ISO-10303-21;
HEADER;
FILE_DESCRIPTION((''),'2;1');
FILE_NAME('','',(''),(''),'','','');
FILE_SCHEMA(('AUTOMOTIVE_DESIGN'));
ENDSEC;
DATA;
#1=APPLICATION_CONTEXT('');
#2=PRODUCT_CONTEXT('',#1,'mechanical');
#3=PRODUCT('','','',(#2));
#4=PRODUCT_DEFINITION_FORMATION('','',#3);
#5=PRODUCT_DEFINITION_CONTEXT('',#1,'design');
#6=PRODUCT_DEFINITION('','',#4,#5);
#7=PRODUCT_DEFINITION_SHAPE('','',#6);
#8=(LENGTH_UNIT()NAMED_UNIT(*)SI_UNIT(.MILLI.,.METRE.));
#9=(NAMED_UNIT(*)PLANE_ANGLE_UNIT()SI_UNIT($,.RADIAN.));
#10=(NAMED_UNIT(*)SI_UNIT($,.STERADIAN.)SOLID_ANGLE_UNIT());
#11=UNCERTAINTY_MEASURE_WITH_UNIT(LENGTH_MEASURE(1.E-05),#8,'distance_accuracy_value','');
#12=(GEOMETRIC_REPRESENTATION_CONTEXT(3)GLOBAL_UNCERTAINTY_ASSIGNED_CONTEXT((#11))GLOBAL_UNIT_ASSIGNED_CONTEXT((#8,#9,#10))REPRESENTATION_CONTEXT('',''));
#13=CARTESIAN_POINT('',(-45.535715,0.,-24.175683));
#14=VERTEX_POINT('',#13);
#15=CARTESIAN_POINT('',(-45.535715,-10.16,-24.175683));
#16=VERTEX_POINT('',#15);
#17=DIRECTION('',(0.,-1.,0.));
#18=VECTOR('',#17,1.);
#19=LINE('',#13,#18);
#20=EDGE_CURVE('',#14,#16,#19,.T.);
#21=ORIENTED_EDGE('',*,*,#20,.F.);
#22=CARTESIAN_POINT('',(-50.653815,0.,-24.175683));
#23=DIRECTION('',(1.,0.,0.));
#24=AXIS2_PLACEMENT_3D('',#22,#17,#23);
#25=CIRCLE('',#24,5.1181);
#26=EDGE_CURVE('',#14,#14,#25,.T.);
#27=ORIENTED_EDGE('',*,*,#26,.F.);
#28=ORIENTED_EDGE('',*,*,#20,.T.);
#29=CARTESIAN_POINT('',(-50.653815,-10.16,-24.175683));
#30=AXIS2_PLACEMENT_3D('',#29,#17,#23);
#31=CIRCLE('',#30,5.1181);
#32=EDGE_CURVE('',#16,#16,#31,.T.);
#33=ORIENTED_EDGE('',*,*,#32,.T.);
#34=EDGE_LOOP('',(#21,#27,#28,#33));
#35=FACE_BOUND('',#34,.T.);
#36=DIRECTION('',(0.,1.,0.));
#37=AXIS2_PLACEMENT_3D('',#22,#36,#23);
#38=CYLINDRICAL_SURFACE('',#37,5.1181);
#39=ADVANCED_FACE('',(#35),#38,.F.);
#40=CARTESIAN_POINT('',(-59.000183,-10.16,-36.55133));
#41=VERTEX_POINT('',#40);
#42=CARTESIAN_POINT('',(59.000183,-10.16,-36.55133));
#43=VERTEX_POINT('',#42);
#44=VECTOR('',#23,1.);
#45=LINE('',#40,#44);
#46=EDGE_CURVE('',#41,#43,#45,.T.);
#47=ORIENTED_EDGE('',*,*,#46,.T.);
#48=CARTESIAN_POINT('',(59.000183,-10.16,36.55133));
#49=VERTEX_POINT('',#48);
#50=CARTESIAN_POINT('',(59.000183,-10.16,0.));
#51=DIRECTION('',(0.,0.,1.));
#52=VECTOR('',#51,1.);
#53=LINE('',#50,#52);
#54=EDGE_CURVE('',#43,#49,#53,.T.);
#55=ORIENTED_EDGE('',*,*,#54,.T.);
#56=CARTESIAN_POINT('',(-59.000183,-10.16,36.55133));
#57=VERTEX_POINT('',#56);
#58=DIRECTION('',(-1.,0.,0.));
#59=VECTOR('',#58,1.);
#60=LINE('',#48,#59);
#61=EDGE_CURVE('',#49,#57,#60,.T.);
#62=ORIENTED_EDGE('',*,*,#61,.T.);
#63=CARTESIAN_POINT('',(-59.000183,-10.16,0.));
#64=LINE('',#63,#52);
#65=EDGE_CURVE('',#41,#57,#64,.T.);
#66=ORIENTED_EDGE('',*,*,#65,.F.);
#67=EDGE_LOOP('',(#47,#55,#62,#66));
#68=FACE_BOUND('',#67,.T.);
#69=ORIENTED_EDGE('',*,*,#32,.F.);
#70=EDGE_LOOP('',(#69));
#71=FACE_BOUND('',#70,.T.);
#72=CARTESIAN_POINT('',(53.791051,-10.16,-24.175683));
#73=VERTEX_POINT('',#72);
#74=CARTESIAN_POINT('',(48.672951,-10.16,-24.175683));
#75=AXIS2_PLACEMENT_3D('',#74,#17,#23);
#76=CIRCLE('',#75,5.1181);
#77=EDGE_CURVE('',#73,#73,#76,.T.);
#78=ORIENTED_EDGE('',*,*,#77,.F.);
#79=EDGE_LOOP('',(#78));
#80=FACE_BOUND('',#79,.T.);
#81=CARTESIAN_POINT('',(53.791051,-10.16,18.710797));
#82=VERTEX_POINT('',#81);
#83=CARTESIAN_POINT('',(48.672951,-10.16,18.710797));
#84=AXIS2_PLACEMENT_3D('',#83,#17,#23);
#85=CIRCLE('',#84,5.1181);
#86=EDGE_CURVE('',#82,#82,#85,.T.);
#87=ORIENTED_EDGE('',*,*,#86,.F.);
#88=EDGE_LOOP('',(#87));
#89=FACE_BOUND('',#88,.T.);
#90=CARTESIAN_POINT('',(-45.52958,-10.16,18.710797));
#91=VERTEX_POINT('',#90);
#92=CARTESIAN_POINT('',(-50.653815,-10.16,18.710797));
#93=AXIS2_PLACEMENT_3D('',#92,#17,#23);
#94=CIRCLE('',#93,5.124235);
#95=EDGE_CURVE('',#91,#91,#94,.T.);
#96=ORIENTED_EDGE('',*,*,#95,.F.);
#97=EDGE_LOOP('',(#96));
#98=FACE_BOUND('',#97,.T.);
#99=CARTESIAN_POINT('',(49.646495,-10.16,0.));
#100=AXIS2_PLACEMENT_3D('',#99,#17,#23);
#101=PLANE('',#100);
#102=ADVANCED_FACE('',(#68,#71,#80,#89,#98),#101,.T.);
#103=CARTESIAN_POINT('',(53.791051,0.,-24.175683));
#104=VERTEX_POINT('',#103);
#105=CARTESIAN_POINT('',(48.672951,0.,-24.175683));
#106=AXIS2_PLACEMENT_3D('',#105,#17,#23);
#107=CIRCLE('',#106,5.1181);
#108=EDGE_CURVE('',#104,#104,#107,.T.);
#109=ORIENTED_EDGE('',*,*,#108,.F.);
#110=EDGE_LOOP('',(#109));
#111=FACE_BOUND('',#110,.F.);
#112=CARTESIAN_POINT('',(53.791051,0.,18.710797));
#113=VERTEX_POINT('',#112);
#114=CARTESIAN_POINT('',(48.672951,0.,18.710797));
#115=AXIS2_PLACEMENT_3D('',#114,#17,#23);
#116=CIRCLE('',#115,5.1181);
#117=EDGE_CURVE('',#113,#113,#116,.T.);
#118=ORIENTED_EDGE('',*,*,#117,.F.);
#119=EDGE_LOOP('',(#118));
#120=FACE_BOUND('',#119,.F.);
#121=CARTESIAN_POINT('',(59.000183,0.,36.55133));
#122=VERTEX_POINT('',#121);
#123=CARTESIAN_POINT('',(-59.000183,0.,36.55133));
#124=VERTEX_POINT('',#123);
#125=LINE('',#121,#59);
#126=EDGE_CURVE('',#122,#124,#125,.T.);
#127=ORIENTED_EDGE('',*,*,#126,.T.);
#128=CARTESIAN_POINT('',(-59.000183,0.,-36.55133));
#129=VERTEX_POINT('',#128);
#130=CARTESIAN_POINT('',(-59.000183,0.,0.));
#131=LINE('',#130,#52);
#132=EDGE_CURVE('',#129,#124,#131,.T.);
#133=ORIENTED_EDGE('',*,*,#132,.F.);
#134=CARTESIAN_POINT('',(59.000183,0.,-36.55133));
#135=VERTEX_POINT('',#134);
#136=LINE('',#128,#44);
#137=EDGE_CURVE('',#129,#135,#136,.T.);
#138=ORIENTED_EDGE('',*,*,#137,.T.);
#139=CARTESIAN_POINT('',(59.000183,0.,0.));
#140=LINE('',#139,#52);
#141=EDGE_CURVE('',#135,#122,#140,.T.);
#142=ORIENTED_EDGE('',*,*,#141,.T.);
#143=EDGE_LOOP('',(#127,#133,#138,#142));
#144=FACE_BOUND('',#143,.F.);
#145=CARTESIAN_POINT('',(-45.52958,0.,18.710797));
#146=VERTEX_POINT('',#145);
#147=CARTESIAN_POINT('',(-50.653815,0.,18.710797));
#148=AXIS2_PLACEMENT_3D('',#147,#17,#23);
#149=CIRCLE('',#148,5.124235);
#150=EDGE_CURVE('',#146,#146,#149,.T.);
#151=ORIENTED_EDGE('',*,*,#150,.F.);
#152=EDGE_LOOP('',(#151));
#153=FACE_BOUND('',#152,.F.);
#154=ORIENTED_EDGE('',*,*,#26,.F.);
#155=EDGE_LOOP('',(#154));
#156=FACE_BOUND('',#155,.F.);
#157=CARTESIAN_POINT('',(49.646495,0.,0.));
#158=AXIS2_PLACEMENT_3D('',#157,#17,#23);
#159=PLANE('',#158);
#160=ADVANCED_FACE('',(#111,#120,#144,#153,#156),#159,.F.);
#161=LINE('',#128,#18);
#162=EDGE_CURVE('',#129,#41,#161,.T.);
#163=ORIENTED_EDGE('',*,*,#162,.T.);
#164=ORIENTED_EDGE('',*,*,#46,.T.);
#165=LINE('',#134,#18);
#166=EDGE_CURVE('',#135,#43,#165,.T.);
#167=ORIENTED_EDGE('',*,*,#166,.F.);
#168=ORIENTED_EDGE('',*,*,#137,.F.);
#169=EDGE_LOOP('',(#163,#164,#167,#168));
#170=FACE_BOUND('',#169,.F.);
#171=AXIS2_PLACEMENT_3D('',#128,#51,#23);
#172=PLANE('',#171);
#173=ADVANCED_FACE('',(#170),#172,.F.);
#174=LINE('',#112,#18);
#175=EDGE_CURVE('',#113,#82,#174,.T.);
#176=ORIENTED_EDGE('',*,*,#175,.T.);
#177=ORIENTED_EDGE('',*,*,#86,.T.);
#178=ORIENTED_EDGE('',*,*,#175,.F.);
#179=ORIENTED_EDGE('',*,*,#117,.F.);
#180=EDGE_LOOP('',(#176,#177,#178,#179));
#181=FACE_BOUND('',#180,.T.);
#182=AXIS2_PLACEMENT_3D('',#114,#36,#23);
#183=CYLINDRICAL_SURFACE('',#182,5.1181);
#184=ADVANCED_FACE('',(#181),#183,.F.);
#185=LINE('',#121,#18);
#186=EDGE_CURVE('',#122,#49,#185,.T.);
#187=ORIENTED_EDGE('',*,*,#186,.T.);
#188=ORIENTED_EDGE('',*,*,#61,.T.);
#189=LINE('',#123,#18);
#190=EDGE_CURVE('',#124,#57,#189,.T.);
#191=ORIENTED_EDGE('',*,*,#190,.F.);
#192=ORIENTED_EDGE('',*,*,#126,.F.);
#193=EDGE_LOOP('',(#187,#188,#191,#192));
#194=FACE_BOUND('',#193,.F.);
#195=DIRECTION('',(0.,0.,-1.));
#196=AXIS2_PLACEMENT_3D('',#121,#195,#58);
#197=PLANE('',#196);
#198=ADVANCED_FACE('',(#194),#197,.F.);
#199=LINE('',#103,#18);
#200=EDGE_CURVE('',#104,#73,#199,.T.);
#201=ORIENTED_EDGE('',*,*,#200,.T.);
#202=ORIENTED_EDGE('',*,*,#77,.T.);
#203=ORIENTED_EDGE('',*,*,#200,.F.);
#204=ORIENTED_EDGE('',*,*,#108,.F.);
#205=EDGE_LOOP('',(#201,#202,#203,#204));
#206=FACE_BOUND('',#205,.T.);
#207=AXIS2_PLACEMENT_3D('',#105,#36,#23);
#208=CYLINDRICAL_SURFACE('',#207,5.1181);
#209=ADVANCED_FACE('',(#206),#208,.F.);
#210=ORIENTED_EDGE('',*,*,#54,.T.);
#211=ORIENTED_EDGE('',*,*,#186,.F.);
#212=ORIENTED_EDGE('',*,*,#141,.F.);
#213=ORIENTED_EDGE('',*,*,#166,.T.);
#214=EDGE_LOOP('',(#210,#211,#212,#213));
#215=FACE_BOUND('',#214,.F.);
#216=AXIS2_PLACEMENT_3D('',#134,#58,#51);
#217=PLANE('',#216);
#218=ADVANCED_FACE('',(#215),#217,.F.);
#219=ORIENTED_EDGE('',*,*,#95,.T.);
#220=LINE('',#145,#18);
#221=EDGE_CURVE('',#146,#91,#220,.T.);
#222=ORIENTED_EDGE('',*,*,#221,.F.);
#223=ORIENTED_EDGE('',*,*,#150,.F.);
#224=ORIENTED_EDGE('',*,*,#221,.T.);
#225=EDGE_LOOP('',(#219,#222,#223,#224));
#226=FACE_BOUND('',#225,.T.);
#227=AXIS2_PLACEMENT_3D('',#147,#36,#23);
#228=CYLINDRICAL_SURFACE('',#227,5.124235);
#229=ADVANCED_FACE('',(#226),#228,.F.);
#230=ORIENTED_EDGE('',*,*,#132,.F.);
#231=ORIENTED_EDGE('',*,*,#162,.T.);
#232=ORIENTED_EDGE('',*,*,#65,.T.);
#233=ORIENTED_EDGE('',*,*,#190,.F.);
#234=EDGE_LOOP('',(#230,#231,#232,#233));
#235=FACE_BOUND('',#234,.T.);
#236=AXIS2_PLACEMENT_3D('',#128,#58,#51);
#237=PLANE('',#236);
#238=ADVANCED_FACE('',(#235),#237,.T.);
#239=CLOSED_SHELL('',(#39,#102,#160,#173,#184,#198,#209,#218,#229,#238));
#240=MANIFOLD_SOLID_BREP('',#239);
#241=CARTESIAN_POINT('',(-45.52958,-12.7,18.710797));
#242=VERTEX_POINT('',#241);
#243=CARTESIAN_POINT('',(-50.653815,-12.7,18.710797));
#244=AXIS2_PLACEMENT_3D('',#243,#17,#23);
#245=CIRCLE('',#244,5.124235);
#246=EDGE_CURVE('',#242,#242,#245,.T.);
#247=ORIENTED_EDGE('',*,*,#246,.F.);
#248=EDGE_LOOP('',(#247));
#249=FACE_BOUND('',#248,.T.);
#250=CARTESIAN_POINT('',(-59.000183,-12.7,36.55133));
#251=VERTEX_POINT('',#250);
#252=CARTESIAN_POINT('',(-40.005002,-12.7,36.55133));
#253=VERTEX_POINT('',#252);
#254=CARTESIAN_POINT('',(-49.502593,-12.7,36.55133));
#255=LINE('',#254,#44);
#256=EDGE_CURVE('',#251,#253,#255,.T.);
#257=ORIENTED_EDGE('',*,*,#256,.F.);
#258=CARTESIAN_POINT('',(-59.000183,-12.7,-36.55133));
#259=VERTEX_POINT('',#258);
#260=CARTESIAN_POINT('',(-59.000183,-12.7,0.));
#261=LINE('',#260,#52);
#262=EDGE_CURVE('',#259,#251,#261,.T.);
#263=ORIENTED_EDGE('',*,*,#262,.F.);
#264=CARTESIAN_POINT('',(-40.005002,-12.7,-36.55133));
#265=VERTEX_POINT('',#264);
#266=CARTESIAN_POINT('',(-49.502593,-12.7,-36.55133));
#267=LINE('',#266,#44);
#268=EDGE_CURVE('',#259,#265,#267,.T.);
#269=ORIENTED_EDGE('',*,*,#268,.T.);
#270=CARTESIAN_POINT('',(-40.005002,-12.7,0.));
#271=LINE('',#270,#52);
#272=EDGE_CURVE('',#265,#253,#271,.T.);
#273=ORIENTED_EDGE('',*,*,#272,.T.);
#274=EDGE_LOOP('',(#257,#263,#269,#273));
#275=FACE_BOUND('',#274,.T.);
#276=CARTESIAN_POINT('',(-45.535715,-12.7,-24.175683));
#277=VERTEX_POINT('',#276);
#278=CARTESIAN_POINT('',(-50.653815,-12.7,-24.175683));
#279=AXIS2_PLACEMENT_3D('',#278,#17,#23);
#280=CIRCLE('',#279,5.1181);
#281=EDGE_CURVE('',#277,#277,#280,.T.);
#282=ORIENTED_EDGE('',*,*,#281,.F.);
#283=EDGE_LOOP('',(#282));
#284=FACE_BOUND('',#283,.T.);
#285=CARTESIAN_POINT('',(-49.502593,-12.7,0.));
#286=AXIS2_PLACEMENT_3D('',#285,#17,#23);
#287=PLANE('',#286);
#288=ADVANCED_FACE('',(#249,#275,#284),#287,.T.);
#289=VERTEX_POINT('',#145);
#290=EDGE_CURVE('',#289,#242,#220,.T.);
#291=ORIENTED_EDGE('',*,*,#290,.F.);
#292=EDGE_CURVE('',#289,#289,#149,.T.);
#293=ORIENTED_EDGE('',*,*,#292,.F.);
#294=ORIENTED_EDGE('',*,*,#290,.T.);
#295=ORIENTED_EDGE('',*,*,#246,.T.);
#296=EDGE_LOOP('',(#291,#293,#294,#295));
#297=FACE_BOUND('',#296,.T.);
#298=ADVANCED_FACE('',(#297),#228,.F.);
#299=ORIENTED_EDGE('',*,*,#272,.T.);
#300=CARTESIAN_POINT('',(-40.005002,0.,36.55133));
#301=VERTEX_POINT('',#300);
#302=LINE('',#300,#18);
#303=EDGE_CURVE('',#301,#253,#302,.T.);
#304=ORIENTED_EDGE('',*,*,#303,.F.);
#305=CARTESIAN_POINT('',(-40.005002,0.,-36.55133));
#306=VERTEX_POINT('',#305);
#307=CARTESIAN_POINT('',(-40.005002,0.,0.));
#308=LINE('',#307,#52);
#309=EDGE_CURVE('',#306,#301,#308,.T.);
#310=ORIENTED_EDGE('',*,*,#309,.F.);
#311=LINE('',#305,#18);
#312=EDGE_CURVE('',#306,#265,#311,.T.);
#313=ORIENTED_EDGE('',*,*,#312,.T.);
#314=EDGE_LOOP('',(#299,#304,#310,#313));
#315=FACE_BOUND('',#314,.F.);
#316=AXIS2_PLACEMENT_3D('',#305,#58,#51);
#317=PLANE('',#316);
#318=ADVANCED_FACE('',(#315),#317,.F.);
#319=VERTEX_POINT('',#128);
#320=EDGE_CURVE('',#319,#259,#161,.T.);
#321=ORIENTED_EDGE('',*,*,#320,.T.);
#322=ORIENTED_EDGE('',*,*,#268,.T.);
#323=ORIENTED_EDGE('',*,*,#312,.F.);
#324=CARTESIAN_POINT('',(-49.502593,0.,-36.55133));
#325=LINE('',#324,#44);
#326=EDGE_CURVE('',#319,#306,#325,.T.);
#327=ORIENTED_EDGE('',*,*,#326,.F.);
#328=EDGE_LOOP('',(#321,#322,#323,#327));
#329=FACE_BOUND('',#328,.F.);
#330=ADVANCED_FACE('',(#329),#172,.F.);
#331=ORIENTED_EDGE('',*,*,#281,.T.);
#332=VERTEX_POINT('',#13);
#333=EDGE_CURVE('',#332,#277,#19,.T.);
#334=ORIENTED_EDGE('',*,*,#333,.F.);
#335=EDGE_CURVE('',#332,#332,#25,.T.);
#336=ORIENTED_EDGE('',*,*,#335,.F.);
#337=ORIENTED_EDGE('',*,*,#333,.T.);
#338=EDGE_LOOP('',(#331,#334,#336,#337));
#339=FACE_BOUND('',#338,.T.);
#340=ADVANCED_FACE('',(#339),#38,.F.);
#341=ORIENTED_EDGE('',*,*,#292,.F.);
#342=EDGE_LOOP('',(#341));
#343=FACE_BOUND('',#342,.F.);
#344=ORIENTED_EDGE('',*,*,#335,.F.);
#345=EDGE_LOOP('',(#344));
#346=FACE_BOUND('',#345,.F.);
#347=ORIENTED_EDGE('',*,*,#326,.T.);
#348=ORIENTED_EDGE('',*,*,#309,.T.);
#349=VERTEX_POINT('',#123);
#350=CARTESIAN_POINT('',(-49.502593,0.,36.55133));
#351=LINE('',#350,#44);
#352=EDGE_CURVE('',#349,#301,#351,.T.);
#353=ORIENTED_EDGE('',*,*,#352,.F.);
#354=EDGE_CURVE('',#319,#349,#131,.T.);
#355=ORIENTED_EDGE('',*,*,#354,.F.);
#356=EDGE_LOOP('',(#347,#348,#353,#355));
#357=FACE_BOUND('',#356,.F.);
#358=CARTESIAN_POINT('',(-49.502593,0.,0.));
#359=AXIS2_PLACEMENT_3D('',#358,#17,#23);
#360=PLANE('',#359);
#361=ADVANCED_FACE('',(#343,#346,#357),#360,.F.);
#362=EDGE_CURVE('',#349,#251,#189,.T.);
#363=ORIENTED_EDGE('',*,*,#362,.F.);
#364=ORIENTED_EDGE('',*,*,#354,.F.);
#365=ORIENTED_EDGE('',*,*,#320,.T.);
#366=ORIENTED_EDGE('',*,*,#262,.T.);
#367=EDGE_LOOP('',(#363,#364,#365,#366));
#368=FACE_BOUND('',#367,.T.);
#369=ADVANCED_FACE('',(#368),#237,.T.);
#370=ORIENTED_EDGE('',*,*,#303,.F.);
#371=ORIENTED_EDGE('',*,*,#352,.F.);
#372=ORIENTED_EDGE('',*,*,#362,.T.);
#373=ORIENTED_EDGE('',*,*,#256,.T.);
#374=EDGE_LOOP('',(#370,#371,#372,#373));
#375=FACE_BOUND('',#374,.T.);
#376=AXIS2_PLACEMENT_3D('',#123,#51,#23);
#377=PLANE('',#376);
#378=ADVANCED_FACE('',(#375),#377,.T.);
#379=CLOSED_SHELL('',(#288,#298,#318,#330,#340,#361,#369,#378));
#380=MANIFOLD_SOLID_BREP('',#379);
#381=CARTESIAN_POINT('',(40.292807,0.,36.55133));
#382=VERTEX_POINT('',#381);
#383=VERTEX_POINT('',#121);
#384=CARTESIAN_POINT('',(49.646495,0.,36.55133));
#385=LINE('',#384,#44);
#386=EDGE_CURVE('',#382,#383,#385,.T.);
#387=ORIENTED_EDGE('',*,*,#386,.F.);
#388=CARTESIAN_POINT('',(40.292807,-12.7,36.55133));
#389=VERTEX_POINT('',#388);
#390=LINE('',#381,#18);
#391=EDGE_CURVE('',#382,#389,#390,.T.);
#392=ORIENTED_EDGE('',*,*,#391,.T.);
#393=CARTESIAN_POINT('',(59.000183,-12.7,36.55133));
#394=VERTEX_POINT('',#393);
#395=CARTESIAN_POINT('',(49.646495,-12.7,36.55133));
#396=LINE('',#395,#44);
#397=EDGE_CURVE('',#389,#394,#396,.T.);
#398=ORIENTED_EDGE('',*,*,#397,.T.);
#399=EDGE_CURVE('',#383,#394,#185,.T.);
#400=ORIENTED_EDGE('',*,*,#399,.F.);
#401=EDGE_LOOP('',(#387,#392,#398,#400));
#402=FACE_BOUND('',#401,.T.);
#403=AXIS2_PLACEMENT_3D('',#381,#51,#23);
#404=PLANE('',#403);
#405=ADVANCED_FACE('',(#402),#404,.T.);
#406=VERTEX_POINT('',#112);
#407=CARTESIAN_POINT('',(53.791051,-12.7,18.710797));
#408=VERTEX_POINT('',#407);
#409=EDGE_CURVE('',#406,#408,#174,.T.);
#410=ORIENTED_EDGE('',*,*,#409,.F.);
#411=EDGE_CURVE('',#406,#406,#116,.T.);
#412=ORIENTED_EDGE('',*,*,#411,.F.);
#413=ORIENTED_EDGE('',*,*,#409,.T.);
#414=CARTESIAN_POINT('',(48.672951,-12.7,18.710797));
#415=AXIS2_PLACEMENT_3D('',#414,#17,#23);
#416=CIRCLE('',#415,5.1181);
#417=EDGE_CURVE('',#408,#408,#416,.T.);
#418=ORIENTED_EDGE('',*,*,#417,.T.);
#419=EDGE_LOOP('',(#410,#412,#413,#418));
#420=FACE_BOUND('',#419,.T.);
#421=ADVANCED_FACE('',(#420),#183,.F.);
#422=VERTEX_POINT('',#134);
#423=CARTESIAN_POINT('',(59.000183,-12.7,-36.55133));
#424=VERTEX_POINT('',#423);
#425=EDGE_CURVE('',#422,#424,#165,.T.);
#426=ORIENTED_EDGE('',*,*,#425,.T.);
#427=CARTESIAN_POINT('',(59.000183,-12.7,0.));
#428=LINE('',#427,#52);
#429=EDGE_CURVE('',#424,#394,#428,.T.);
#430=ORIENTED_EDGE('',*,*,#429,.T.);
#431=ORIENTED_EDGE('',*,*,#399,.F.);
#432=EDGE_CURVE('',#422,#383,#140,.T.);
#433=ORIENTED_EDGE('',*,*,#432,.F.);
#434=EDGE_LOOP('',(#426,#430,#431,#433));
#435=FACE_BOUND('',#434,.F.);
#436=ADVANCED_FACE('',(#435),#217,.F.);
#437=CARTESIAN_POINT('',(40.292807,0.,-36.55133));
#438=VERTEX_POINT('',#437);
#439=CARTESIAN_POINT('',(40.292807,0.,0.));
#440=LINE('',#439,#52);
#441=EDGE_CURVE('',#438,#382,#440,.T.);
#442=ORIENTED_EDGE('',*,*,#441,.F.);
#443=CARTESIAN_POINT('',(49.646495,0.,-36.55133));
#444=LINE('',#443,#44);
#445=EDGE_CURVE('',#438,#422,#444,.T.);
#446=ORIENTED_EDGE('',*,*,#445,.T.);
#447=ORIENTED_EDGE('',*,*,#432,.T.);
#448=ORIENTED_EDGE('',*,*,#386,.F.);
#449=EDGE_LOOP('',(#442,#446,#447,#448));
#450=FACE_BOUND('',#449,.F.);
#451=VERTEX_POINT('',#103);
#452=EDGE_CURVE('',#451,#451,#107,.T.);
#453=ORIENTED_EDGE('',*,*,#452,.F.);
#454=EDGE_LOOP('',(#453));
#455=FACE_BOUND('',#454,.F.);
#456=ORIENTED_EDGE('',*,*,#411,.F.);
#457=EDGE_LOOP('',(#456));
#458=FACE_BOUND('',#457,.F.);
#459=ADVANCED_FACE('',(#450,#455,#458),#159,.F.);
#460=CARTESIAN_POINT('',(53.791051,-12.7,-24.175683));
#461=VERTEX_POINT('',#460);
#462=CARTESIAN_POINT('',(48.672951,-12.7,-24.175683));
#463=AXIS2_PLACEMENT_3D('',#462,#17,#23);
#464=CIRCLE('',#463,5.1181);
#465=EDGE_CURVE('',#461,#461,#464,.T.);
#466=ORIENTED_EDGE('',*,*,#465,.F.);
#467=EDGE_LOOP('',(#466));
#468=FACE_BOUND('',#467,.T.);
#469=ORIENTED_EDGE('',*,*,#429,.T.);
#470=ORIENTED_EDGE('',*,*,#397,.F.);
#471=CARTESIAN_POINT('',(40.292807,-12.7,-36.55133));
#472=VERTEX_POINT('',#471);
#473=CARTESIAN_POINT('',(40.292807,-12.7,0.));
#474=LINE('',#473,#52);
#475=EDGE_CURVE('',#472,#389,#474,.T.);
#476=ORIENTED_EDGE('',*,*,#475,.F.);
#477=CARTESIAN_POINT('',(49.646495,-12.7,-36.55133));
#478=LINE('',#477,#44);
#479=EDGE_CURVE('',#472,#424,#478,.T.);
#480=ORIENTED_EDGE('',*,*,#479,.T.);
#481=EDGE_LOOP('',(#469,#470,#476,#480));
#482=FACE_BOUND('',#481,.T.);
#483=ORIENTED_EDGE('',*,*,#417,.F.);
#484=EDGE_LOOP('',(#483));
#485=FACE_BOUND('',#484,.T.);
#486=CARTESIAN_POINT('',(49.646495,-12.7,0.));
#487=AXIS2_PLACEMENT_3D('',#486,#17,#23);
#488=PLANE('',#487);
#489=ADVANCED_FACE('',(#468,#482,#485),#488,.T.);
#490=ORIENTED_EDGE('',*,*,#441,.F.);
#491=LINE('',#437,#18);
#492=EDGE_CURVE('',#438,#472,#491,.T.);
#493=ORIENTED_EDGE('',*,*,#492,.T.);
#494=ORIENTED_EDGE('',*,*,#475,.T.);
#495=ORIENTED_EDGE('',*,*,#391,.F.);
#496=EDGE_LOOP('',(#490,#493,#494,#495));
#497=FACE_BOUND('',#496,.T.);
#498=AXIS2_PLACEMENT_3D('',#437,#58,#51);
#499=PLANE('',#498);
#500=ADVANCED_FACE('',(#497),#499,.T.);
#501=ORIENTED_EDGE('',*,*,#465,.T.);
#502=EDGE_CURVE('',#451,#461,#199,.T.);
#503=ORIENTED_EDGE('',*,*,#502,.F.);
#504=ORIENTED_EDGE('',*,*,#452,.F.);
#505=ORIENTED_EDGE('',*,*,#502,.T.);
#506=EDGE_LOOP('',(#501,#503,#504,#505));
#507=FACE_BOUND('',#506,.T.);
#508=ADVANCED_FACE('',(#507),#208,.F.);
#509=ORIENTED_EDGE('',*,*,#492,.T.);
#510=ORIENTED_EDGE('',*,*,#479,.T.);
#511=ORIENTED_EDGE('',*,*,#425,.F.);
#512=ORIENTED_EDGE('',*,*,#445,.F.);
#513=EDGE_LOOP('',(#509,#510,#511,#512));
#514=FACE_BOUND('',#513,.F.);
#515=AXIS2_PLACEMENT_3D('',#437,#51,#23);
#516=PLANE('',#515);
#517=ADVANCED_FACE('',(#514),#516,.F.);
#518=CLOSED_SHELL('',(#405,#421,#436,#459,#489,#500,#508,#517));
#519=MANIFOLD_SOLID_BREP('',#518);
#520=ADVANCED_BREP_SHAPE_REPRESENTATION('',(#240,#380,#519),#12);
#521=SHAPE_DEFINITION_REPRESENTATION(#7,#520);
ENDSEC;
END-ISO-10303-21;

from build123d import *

# Parameters (mm, degrees)
F0_W     = 18.9951807261
F0_H     = 73.1026604772
F0_R     = 5.1181
F0_R_2   = 5.1242350944
F1_DEPTH = 12.7
F0_W_2   = 18.7073759735
F0_W_3   = 80.2978090942
F2_DEPTH = 10.16


with BuildPart() as f1:
    # F0 (on Front) → F1 (new body)
    with BuildSketch(Plane.XZ):
        with Locations((-49.5025925338, 0)):
            Rectangle(F0_W, F0_H)
        with Locations((-50.6538152695, -24.1756830364)):
            Circle(F0_R, mode=Mode.SUBTRACT)
        with Locations((-50.6538152695, 18.7107970397)):
            Circle(F0_R_2, mode=Mode.SUBTRACT)
    extrude(amount=F1_DEPTH)


with BuildPart() as f1b:
    # F0 (on Front) → F1, piece 2 (new body)
    with BuildSketch(Plane.XZ):
        with Locations((49.6464949101, 0)):
            Rectangle(F0_W_2, F0_H)
        with Locations((48.6729510283, -24.1756830364)):
            Circle(F0_R, mode=Mode.SUBTRACT)
        with Locations((48.6729510283, 18.7107970397)):
            Circle(F0_R, mode=Mode.SUBTRACT)
    extrude(amount=F1_DEPTH)


with BuildPart() as f2:
    # F0 (on Front) → F2 (new body)
    with BuildSketch(Plane.XZ):
        with Locations((49.6464949101, 0)):
            Rectangle(F0_W_2, F0_H)
        with Locations((48.6729510283, -24.1756830364)):
            Circle(F0_R, mode=Mode.SUBTRACT)
        with Locations((48.6729510283, 18.7107970397)):
            Circle(F0_R, mode=Mode.SUBTRACT)
        with Locations((0.1439023763, 0)):
            Rectangle(F0_W_3, F0_H)
        with Locations((-49.5025925338, 0)):
            Rectangle(F0_W, F0_H)
        with Locations((-50.6538152695, -24.1756830364)):
            Circle(F0_R, mode=Mode.SUBTRACT)
        with Locations((-50.6538152695, 18.7107970397)):
            Circle(F0_R_2, mode=Mode.SUBTRACT)
    extrude(amount=F2_DEPTH)


solid = Compound([f1.part, f1b.part, f2.part])
